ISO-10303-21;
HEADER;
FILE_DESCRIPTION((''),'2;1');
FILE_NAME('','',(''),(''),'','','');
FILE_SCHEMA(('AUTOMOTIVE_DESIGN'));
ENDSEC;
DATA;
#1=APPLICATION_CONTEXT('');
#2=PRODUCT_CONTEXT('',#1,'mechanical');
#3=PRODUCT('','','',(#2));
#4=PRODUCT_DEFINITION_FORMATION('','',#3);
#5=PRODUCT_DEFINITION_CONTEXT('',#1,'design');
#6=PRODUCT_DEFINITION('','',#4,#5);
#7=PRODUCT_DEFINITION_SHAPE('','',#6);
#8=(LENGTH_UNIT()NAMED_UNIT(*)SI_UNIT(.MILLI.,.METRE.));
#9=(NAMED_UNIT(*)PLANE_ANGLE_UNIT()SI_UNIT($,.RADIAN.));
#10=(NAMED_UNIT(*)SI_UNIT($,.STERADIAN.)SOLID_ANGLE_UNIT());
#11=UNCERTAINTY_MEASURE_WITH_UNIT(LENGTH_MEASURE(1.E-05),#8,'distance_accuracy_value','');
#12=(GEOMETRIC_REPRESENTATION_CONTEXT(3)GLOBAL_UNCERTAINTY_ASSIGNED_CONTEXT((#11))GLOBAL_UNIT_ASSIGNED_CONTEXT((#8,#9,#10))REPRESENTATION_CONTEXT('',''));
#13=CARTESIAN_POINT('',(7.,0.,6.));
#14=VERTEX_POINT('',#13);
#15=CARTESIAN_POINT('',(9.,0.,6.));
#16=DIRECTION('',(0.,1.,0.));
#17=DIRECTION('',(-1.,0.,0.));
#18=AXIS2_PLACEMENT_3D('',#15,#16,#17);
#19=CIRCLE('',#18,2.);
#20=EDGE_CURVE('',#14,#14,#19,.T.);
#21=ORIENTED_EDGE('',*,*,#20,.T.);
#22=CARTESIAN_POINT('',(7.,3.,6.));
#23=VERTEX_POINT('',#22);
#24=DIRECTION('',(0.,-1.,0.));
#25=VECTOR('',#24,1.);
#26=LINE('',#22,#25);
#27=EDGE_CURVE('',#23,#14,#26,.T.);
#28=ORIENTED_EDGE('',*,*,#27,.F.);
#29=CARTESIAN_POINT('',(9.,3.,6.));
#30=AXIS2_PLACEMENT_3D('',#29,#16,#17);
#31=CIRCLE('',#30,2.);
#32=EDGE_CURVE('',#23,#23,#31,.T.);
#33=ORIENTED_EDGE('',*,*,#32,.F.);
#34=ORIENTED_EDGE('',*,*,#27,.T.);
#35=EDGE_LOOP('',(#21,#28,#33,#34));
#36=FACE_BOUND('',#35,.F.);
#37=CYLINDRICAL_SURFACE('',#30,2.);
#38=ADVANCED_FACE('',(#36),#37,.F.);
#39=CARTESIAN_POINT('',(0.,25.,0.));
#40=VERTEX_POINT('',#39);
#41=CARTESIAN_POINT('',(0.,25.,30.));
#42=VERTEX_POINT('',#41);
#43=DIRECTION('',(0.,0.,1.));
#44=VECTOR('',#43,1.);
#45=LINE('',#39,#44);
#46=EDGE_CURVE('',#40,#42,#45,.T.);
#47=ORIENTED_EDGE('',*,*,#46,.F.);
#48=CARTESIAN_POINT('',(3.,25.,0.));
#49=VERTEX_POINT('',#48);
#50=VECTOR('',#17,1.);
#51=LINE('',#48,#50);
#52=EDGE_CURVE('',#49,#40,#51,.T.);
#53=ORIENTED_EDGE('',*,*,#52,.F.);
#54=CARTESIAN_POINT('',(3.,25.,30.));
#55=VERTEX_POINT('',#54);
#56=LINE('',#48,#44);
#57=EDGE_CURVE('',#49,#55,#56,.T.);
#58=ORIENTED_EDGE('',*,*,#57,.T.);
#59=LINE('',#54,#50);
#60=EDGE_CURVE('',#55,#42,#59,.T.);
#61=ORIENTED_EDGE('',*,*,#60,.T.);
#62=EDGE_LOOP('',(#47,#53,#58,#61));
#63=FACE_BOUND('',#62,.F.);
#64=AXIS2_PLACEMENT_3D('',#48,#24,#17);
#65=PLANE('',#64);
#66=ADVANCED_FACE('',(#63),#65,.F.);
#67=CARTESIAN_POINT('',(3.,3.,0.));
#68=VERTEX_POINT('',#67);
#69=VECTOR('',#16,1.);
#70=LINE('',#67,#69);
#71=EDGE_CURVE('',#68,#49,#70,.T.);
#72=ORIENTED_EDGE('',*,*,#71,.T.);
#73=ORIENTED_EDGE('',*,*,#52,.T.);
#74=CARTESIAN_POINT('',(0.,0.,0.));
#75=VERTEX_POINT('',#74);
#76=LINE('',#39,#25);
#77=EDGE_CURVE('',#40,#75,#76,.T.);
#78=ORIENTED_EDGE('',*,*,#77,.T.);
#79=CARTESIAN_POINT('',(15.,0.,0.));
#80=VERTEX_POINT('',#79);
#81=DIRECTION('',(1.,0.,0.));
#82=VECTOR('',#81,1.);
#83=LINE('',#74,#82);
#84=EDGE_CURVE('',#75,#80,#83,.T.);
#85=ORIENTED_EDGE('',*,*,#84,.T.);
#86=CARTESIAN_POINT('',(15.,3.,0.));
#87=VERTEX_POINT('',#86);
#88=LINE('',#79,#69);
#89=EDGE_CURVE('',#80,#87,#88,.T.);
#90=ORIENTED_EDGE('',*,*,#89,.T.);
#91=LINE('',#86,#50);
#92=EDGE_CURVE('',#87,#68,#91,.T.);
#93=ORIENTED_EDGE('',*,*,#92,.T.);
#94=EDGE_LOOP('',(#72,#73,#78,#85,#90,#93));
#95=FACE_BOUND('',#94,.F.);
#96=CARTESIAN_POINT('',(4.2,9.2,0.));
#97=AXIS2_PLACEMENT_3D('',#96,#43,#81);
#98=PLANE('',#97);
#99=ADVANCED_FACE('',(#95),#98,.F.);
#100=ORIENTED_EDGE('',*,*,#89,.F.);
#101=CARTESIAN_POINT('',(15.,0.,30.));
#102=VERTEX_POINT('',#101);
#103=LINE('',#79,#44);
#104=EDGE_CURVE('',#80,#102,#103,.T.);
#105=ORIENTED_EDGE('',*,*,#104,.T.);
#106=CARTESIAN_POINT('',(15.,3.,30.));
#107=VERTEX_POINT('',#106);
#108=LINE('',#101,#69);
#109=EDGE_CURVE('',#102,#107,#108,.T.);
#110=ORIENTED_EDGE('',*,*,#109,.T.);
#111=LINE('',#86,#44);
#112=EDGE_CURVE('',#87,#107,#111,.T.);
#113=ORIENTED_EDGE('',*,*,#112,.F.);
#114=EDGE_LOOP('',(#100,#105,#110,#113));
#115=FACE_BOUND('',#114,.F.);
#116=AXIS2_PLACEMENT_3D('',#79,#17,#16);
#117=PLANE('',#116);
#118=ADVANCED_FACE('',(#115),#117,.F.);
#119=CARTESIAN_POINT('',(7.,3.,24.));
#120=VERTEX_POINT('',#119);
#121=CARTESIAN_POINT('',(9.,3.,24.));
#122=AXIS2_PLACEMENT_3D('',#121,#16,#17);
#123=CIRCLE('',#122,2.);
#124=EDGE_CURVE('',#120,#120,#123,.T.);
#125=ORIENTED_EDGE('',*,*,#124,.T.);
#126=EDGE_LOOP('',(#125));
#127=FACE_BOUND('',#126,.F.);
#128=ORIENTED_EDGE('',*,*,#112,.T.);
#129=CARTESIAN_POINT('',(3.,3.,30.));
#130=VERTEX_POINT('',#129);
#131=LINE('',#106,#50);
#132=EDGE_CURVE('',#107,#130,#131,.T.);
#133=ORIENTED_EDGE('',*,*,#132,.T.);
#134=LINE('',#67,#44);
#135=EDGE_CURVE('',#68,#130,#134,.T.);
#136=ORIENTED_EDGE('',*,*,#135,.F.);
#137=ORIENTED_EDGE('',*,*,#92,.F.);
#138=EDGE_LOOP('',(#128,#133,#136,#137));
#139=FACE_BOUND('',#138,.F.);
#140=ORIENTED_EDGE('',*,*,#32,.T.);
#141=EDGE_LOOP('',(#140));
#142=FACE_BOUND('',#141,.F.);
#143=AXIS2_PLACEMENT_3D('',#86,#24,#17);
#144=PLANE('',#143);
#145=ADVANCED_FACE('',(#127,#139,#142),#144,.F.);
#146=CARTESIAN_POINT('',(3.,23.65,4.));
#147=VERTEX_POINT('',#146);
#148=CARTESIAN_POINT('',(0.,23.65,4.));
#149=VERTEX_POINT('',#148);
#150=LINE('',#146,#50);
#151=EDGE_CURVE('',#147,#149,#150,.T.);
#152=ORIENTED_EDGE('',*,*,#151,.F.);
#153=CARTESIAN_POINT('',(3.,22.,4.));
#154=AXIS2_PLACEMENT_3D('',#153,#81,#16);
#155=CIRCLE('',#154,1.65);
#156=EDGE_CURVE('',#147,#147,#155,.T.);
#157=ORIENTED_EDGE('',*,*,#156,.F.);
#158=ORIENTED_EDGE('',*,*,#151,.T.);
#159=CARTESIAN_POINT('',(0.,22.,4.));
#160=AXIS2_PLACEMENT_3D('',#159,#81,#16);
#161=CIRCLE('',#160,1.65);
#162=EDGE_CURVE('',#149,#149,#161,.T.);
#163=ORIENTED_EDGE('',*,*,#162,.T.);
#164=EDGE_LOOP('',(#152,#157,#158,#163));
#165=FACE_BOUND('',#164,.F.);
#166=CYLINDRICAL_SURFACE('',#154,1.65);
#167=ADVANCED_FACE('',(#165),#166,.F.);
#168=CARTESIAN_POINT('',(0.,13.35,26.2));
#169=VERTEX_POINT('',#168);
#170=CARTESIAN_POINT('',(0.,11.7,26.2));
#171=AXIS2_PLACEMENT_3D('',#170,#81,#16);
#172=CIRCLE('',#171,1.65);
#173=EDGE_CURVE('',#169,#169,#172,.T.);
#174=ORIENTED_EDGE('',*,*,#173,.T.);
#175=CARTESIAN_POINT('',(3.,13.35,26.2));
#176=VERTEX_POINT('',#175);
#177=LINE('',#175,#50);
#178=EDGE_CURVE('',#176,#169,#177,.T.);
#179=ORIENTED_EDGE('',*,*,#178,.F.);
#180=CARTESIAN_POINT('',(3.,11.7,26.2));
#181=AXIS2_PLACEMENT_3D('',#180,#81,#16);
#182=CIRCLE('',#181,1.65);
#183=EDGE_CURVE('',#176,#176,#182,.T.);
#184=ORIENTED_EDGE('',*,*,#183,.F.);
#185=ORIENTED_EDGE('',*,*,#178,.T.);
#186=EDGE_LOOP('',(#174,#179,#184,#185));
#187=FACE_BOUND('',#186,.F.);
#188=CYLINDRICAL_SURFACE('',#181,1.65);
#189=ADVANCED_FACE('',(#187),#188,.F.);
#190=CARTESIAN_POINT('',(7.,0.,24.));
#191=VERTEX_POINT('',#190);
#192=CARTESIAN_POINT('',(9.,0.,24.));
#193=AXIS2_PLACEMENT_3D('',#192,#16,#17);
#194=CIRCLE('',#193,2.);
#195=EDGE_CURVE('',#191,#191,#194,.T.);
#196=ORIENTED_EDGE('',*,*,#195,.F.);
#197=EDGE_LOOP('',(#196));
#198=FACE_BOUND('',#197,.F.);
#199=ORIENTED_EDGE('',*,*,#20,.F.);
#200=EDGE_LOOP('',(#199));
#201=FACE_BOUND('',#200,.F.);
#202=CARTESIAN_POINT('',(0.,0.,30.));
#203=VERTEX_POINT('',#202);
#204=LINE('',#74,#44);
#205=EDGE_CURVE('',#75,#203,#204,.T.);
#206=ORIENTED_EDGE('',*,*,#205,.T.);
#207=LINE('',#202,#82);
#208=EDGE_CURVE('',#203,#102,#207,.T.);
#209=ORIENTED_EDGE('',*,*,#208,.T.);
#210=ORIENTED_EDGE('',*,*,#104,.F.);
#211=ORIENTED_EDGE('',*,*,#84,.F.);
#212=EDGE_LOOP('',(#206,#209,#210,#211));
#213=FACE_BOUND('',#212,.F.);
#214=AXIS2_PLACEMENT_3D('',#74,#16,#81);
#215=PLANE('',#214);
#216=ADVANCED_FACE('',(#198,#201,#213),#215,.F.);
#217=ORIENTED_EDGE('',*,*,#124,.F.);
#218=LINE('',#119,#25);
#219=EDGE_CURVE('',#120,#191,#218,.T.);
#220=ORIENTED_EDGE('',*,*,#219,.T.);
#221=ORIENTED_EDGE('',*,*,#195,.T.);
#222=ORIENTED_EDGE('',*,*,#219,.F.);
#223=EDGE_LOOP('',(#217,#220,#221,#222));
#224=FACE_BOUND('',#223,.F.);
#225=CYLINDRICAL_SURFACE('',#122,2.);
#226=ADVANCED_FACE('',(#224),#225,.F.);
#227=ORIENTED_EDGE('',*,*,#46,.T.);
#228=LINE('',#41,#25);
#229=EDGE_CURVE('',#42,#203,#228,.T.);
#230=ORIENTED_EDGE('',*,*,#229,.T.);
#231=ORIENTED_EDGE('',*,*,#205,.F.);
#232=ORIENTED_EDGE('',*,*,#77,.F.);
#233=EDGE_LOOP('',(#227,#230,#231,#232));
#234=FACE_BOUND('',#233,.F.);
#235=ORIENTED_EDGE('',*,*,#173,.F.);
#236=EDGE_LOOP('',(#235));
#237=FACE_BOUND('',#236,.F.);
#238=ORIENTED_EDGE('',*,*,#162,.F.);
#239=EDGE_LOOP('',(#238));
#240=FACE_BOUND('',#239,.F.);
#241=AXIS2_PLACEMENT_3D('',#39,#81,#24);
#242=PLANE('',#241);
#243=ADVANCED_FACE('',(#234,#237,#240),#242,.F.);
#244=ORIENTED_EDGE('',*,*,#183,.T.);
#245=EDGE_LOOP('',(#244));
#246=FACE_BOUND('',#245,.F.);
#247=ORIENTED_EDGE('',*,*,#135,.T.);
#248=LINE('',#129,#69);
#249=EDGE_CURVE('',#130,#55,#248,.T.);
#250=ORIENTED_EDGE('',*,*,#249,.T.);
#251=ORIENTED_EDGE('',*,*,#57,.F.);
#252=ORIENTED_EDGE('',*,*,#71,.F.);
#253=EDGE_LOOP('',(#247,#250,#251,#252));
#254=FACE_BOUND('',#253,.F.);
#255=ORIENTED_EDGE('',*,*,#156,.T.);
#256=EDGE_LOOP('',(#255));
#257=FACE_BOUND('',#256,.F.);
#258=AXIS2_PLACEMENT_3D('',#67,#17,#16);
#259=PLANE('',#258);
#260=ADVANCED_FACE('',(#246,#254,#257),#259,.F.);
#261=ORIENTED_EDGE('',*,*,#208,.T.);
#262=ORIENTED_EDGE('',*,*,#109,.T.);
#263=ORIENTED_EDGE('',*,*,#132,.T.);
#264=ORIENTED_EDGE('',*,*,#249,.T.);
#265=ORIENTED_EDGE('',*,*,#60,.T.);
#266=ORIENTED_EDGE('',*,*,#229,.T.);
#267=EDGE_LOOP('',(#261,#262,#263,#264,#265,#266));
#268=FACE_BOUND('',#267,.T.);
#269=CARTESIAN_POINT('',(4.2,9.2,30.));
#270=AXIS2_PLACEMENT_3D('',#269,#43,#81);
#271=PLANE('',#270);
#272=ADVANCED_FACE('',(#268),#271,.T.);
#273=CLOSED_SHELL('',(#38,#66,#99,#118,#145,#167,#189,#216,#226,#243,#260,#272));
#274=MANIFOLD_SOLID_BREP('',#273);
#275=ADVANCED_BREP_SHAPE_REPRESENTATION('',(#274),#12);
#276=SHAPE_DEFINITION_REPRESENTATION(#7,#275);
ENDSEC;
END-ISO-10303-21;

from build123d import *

# Parameters (mm, degrees)
F1_DEPTH = 30
F2_R     = 1.65
F3_DEPTH = 3.001
F4_R     = 2
F5_DEPTH = 3.001


with BuildPart() as f1:
    # F0 (on Top) → F1 (new body)
    with BuildSketch(Plane.XY):
        Polygon((0, 25), (0, 0), (15, 0), (15, 3), (3, 3), (3, 25), align=None)
    extrude(amount=F1_DEPTH)

    # F2 (on face) → F3 (cut, through all)
    with BuildSketch(Plane.YZ.offset(3)):
        with Locations((22, 4)):
            Circle(F2_R)
        with Locations((11.7, 26.2)):
            Circle(F2_R)
    extrude(amount=-F3_DEPTH, mode=Mode.SUBTRACT)

    # F4 (on face) → F5 (cut, through all)
    with BuildSketch(Plane(origin=(0, 3, 0), x_dir=(-1, 0, 0), z_dir=(0, 1, 0))):
        with Locations((-9, 24)):
            Circle(F4_R)
        with Locations((-9, 6)):
            Circle(F4_R)
    extrude(amount=-F5_DEPTH, mode=Mode.SUBTRACT)


solid = f1.part
